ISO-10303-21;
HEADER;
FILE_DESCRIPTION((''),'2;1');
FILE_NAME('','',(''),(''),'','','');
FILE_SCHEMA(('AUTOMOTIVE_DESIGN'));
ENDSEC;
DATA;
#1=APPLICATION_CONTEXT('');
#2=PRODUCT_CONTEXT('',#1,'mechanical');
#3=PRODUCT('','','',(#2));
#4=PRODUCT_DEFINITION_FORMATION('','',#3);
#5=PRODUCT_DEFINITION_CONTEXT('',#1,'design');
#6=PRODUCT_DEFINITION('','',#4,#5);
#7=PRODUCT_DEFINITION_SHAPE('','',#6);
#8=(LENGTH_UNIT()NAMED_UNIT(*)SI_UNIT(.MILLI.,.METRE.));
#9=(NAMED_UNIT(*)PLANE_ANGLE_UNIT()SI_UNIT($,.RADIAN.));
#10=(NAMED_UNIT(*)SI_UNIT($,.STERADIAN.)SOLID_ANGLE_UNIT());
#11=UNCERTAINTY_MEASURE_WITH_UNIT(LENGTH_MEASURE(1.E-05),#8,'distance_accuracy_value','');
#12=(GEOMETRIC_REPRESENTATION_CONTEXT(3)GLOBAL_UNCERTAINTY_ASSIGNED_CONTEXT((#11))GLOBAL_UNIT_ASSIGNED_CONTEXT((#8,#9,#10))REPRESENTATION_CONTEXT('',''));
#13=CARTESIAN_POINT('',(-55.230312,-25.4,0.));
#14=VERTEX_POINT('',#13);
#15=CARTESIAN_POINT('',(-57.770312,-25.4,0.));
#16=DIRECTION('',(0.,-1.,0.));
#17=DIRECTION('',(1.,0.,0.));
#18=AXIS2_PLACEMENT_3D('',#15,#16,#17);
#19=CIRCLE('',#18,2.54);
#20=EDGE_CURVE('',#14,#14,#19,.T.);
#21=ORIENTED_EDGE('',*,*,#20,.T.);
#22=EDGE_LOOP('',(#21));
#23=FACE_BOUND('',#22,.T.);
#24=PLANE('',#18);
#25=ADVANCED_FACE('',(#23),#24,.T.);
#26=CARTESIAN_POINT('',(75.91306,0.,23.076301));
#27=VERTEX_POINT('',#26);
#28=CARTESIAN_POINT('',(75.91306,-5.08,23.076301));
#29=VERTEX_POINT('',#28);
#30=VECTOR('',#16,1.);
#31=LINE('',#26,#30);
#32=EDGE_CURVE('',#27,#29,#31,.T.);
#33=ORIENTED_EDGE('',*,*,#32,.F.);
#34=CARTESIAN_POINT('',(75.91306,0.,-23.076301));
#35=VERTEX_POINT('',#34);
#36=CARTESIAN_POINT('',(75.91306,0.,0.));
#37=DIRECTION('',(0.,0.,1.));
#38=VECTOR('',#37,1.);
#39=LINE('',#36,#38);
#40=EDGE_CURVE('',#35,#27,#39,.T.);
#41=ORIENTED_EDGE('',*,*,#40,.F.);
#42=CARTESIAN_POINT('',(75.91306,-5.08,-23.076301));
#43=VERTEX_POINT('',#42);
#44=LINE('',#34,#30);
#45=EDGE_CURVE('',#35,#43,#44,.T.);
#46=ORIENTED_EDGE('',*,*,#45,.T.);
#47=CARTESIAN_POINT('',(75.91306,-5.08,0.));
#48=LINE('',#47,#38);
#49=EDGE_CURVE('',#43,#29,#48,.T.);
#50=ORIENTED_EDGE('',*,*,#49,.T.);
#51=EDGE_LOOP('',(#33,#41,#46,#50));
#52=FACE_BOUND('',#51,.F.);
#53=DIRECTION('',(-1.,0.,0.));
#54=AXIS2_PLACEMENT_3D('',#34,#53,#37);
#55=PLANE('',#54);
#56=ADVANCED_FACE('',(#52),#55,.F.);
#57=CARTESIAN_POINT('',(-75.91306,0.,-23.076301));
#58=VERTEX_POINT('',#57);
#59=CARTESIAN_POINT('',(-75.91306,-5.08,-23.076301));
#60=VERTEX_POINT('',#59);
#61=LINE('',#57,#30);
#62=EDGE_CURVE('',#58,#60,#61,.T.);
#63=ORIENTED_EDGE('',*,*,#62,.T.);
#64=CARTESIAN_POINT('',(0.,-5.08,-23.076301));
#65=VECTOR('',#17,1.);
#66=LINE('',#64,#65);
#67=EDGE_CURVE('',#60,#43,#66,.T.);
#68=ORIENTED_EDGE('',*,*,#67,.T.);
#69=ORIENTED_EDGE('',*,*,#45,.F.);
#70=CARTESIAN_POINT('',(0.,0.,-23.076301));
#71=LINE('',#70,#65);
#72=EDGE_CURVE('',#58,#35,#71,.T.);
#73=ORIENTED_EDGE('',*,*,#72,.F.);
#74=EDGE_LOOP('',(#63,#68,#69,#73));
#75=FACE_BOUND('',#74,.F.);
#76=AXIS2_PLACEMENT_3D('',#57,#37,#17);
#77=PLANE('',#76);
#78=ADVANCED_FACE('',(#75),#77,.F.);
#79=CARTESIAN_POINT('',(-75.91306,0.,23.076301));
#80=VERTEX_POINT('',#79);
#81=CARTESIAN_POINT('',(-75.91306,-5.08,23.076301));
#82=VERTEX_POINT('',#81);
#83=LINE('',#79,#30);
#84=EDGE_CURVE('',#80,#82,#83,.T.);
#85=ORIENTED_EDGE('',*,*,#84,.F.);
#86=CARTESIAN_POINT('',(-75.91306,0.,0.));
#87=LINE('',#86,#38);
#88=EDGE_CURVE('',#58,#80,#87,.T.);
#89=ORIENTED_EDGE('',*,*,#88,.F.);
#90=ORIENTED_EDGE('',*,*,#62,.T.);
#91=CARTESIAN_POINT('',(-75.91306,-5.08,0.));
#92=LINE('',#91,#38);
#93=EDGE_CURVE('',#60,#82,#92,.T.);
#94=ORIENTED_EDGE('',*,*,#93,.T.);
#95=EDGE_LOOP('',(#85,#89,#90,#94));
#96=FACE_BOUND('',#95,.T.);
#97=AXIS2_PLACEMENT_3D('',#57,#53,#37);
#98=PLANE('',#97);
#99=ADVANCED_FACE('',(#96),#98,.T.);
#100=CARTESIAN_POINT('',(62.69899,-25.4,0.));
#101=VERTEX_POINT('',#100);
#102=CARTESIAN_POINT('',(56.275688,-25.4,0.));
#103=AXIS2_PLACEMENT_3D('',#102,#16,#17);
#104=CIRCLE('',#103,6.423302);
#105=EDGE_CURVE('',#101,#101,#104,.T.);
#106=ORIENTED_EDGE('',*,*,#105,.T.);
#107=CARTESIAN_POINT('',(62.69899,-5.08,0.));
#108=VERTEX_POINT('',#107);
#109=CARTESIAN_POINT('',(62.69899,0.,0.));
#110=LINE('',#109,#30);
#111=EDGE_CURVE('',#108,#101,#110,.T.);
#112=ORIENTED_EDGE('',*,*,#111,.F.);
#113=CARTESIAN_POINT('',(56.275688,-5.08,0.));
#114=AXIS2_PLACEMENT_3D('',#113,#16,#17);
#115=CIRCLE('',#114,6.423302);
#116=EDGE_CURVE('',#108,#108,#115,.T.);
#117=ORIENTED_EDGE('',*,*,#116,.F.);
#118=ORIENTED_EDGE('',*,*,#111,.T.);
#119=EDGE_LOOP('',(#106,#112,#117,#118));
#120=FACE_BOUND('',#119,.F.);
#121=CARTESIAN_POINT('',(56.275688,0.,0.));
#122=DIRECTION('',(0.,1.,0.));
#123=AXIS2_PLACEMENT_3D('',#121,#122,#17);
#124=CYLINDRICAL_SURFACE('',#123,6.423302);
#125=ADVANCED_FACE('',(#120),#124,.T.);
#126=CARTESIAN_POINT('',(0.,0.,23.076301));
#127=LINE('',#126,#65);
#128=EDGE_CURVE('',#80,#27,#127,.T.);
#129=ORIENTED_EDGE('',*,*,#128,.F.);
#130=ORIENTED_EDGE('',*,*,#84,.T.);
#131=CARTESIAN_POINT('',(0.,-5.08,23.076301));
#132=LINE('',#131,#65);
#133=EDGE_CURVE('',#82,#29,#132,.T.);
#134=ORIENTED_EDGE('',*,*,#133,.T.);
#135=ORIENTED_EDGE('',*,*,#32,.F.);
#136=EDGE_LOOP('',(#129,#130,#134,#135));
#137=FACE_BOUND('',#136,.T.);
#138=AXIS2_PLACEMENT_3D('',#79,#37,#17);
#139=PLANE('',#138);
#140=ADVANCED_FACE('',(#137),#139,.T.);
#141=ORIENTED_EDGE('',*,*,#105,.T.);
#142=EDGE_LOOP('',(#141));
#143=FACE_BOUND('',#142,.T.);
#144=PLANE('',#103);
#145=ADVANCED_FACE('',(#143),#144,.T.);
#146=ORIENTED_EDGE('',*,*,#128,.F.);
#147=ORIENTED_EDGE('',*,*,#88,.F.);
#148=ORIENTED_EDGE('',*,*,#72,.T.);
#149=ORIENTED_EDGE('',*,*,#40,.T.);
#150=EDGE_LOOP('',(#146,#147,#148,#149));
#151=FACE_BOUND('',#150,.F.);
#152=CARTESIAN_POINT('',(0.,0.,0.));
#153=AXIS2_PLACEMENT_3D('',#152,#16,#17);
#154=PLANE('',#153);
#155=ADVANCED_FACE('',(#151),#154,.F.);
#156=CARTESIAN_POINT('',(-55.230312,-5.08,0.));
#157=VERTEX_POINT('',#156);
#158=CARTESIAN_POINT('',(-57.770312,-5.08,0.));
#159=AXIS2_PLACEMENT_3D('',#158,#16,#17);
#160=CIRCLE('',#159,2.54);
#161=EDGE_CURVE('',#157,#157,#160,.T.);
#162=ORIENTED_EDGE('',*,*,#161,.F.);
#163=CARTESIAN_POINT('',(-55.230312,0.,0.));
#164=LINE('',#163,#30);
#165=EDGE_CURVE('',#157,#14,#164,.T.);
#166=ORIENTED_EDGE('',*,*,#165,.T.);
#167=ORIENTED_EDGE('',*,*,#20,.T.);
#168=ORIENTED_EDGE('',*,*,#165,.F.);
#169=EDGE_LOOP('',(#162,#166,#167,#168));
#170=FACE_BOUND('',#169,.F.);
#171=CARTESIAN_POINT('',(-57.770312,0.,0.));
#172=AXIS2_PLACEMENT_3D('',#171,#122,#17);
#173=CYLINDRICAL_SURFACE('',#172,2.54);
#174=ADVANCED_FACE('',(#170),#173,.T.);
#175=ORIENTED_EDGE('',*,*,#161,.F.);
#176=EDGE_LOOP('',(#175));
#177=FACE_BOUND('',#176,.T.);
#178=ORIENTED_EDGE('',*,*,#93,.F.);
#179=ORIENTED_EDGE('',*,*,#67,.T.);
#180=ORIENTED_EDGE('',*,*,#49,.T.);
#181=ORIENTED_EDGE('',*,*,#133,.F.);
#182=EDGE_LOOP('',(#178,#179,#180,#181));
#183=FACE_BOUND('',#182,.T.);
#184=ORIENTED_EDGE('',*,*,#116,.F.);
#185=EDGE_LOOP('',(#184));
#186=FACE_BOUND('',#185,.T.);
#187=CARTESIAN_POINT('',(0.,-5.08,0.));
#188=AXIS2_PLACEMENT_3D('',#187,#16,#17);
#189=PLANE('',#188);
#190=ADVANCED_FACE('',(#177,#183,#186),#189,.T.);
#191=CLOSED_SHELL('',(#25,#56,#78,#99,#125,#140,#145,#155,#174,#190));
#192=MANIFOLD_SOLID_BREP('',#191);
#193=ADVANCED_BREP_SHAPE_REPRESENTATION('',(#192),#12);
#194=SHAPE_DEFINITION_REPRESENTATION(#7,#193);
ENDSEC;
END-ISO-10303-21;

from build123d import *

# Parameters (mm, degrees)
F0_W     = 151.82612
F0_H     = 46.152602
F0_R     = 2.54
F0_R_2   = 6.423302
F1_DEPTH = 5.08
F2_DEPTH = 25.4


with BuildPart() as f1:
    # F0 (on Front) → F1 (new body)
    with BuildSketch(Plane.XZ):
        Rectangle(F0_W, F0_H)
        with Locations((-57.770312, 0)):
            Circle(F0_R, mode=Mode.SUBTRACT)
        with Locations((56.275688, 0)):
            Circle(F0_R_2, mode=Mode.SUBTRACT)
    extrude(amount=F1_DEPTH)

    # F0 (on Front) → F2 (join)
    with BuildSketch(Plane.XZ):
        with Locations((-57.770312, 0)):
            Circle(F0_R)
        with Locations((56.275688, 0)):
            Circle(F0_R_2)
    extrude(amount=F2_DEPTH)


solid = f1.part
